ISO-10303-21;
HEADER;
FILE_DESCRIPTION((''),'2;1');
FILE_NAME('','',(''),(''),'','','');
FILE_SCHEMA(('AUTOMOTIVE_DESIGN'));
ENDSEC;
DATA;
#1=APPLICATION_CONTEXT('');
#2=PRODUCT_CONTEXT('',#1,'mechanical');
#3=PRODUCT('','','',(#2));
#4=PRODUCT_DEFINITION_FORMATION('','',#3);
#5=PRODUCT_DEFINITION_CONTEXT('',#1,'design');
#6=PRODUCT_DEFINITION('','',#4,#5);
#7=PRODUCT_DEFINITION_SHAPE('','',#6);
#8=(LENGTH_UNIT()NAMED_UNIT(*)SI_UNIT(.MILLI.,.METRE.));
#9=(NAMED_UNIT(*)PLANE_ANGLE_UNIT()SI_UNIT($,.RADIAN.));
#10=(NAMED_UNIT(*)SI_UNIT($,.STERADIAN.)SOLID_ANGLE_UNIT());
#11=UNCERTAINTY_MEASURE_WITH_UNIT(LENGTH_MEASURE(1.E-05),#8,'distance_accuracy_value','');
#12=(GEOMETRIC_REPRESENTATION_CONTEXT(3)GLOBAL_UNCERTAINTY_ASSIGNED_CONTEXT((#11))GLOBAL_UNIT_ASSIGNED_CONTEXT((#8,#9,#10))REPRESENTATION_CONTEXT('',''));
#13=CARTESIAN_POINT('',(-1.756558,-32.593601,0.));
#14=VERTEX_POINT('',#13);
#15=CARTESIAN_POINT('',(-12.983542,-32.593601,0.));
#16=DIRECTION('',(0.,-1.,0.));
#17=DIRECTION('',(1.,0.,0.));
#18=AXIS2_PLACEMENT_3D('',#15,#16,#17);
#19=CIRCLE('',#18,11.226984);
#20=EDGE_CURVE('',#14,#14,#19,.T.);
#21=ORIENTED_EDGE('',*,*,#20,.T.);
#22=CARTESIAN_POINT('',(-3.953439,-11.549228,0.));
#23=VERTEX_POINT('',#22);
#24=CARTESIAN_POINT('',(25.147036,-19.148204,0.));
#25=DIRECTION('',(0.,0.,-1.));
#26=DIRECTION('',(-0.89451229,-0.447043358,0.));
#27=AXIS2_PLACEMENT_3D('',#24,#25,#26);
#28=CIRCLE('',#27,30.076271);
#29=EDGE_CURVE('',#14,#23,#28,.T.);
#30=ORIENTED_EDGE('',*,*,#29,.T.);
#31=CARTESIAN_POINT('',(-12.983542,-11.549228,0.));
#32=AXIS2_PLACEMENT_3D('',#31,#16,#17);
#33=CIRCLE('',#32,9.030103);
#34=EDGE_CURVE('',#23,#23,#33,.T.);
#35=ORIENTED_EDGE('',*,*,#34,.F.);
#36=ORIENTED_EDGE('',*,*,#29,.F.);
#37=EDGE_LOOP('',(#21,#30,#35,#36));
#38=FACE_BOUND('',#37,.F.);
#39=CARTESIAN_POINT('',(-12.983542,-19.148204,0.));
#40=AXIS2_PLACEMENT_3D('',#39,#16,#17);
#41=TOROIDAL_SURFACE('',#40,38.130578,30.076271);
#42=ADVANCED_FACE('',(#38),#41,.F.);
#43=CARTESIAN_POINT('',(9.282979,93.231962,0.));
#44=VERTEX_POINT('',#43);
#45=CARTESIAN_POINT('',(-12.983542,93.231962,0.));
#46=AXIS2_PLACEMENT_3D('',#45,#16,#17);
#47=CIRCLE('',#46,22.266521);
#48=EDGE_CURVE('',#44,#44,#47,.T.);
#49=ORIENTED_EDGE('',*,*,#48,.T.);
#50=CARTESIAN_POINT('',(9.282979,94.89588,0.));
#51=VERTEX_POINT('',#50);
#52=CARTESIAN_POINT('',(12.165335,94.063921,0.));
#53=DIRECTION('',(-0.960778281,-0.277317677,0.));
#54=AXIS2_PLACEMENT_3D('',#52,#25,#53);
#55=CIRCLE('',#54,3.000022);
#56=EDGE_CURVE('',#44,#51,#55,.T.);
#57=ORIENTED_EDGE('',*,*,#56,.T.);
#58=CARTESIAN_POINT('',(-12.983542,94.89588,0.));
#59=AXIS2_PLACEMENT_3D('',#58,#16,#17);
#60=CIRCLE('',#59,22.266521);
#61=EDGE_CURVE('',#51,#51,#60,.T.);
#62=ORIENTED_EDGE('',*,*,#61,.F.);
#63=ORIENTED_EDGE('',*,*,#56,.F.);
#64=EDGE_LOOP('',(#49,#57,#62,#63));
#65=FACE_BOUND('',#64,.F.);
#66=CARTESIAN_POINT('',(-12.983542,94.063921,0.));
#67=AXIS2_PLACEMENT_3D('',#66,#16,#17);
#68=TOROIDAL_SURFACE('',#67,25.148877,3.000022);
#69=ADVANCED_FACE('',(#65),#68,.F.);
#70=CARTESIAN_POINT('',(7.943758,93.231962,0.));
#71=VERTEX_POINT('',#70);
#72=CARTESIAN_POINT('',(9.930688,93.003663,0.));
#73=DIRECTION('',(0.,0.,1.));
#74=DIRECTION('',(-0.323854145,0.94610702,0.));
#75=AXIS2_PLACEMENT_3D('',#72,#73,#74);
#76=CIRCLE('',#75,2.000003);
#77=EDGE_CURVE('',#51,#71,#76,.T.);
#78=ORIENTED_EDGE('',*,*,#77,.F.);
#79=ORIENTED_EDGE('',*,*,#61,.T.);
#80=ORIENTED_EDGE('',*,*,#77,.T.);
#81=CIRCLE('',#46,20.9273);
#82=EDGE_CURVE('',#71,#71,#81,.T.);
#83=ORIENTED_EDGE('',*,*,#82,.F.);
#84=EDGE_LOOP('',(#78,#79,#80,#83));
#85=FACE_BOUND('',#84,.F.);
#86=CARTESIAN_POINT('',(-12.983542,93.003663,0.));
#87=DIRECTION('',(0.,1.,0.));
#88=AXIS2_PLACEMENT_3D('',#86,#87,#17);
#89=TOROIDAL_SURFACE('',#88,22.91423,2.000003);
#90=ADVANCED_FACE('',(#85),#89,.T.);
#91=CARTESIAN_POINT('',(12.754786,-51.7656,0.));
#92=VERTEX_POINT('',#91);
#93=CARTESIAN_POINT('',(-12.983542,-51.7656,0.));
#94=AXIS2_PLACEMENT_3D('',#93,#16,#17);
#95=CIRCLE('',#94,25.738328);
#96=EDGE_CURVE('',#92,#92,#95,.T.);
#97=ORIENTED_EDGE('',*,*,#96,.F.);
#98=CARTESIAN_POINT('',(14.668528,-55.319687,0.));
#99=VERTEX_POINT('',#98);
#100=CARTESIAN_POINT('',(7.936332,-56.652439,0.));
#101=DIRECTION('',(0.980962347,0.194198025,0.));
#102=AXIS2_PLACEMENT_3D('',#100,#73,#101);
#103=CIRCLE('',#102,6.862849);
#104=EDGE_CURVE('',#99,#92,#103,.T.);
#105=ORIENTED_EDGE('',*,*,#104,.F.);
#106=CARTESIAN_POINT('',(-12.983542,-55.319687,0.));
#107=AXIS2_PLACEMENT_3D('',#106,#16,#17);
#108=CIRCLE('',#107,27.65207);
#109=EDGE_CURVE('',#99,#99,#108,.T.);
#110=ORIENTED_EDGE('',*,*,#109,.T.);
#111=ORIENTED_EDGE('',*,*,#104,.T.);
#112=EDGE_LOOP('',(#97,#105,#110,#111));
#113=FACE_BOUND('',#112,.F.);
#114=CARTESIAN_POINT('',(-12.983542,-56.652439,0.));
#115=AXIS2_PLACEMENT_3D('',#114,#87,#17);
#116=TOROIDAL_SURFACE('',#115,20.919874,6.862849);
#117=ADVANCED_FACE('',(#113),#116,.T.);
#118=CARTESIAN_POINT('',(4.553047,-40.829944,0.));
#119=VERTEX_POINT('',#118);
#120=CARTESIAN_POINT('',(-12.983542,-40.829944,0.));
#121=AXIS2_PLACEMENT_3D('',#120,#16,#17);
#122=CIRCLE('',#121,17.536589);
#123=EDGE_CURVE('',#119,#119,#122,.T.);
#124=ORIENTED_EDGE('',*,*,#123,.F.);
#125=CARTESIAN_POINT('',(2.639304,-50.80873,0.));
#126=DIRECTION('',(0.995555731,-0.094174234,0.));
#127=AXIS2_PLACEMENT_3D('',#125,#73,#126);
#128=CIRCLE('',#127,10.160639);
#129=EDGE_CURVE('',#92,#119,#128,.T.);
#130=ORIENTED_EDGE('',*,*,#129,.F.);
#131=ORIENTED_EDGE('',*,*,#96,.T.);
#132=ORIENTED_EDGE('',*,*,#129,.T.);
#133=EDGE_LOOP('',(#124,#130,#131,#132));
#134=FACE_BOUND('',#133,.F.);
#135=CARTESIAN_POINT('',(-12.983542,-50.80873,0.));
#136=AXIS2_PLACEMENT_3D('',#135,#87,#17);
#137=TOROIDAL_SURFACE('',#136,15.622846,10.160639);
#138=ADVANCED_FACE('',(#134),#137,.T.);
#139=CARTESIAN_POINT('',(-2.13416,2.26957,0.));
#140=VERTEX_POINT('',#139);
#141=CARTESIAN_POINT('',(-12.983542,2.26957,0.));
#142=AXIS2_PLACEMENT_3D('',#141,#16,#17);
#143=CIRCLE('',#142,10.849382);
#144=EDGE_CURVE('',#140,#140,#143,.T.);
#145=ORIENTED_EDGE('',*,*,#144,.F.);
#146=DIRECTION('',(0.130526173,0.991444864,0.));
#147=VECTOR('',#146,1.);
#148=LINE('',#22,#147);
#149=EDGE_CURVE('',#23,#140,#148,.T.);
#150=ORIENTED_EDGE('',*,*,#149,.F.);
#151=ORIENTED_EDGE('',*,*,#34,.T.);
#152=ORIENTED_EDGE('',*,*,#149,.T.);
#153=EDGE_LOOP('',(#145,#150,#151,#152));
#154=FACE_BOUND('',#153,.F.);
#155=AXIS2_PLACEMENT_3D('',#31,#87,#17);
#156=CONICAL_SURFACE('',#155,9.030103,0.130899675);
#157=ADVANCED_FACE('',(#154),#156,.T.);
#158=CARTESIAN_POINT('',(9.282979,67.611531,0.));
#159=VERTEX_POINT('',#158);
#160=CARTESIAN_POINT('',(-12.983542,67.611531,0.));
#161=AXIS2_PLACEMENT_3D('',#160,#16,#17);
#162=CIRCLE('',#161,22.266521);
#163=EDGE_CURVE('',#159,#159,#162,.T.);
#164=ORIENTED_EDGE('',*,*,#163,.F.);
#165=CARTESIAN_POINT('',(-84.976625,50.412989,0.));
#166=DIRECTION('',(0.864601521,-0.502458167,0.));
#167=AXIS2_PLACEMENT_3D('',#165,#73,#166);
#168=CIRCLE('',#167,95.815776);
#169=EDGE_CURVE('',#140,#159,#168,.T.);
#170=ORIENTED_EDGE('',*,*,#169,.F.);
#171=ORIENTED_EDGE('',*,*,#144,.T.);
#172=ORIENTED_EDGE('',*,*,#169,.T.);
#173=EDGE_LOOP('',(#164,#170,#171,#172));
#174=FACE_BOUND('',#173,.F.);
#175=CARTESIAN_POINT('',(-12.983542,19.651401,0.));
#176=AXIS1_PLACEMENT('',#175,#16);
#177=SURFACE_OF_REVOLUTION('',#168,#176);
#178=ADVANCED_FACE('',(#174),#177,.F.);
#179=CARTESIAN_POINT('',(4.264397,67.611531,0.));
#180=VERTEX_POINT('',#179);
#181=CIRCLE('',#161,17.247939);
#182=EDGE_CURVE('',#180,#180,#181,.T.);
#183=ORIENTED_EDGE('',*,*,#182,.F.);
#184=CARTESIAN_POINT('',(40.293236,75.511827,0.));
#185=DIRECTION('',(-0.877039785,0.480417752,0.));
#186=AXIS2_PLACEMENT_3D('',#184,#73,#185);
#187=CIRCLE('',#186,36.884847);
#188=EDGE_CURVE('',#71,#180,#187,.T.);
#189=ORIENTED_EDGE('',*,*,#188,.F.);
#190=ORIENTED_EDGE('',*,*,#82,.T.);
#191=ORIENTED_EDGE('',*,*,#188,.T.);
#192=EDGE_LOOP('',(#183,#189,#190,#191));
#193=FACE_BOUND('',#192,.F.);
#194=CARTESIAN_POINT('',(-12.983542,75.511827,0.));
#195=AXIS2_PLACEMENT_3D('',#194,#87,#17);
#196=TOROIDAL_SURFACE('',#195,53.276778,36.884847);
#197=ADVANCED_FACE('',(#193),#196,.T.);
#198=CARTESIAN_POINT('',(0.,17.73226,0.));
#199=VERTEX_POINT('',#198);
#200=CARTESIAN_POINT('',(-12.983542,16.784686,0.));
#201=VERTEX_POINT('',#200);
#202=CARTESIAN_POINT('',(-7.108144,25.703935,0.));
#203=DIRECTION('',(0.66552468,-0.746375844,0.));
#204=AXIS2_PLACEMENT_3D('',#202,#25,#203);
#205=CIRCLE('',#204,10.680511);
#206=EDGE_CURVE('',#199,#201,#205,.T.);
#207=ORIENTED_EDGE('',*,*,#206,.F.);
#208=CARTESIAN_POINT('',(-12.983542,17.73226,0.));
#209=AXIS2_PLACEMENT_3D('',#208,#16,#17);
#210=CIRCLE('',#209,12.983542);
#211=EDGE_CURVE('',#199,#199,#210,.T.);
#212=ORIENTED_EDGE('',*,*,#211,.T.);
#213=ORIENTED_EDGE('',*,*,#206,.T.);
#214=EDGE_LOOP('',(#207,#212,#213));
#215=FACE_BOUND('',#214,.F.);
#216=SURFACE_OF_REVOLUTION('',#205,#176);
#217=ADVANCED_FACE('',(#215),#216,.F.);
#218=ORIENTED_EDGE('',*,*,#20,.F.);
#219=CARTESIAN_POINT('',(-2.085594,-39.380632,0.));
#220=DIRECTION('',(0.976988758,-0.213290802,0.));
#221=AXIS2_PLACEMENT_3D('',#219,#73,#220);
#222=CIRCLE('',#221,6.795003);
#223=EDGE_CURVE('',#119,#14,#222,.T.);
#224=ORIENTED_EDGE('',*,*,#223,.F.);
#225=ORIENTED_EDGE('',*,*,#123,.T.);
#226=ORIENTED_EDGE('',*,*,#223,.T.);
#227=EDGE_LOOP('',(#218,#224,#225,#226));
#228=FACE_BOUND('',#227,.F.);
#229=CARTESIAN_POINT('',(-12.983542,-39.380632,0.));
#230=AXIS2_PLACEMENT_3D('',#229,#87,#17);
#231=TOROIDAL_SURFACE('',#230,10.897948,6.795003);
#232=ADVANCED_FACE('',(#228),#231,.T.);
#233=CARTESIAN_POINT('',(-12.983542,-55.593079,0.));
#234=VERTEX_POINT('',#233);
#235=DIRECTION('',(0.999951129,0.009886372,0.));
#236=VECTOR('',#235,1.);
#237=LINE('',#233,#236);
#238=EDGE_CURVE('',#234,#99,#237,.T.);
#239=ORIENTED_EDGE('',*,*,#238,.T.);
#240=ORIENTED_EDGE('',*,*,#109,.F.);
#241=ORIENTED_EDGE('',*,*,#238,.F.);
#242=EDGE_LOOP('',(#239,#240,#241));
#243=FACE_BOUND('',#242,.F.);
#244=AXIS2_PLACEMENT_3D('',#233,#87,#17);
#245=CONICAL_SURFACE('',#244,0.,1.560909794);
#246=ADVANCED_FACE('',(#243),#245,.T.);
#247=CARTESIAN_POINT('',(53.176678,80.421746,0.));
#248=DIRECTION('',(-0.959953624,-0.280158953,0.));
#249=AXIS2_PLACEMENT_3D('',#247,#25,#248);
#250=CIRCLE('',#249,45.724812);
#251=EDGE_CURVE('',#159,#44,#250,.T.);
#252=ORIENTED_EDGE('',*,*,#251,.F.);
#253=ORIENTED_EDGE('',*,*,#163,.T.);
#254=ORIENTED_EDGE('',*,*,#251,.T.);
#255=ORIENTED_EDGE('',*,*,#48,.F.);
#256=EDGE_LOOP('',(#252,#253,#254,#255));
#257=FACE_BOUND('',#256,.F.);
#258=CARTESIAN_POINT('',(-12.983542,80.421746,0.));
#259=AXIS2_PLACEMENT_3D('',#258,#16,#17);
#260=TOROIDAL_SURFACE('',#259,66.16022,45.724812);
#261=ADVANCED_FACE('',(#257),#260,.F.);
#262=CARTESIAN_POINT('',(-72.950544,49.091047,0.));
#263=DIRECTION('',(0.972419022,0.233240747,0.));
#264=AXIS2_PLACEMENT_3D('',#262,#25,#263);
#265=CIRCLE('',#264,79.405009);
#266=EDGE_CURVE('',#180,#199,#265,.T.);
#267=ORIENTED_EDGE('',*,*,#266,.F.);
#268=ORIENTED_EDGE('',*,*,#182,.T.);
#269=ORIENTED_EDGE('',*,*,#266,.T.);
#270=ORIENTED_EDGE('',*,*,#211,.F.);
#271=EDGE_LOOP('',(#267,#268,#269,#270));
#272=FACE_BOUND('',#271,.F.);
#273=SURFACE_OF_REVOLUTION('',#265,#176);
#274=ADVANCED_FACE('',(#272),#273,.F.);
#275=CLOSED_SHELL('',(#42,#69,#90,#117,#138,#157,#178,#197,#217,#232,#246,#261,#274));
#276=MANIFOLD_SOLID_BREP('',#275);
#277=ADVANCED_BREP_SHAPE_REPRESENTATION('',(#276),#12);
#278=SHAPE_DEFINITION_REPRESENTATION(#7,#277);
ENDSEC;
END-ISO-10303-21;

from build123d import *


with BuildPart() as f1:
    # F0 (on Top) → F1 (revolve)
    with BuildSketch(Plane.XY):
        with BuildLine():
            ThreePointArc((0, 17.73226), (-6.330719, 15.051756), (-12.983542, 16.784686))
            Line((-12.983542, 16.784686), (-12.983542, -55.593079))
            Line((-12.983542, -55.593079), (14.668528, -55.319687))
            ThreePointArc((14.668528, -55.319687), (13.97887, -53.39876), (12.754786, -51.7656))
            ThreePointArc((12.754786, -51.7656), (10.767816, -44.712348), (4.553047, -40.829944))
            ThreePointArc((4.553047, -40.829944), (3.30852, -35.24837), (-1.756558, -32.593601))
            ThreePointArc((-1.756558, -32.593601), (-4.766679, -22.27098), (-3.953439, -11.549228))
            Line((-3.953439, -11.549228), (-2.13416, 2.26957))
            ThreePointArc((-2.13416, 2.26957), (9.409172, 33.921048), (9.282979, 67.611531))
            ThreePointArc((9.282979, 67.611531), (7.451866, 80.421747), (9.282979, 93.231962))
            ThreePointArc((9.282979, 93.231962), (9.165313, 94.063921), (9.282979, 94.89588))
            ThreePointArc((9.282979, 94.89588), (8.372649, 94.257667), (7.943758, 93.231962))
            ThreePointArc((7.943758, 93.231962), (3.782961, 80.755083), (4.264397, 67.611531))
            ThreePointArc((4.264397, 67.611531), (6.165849, 42.327041), (0, 17.73226))
        make_face()
    revolve(axis=Axis((-12.983542, 19.651401, 0), (0, -1, 0)))


solid = f1.part
